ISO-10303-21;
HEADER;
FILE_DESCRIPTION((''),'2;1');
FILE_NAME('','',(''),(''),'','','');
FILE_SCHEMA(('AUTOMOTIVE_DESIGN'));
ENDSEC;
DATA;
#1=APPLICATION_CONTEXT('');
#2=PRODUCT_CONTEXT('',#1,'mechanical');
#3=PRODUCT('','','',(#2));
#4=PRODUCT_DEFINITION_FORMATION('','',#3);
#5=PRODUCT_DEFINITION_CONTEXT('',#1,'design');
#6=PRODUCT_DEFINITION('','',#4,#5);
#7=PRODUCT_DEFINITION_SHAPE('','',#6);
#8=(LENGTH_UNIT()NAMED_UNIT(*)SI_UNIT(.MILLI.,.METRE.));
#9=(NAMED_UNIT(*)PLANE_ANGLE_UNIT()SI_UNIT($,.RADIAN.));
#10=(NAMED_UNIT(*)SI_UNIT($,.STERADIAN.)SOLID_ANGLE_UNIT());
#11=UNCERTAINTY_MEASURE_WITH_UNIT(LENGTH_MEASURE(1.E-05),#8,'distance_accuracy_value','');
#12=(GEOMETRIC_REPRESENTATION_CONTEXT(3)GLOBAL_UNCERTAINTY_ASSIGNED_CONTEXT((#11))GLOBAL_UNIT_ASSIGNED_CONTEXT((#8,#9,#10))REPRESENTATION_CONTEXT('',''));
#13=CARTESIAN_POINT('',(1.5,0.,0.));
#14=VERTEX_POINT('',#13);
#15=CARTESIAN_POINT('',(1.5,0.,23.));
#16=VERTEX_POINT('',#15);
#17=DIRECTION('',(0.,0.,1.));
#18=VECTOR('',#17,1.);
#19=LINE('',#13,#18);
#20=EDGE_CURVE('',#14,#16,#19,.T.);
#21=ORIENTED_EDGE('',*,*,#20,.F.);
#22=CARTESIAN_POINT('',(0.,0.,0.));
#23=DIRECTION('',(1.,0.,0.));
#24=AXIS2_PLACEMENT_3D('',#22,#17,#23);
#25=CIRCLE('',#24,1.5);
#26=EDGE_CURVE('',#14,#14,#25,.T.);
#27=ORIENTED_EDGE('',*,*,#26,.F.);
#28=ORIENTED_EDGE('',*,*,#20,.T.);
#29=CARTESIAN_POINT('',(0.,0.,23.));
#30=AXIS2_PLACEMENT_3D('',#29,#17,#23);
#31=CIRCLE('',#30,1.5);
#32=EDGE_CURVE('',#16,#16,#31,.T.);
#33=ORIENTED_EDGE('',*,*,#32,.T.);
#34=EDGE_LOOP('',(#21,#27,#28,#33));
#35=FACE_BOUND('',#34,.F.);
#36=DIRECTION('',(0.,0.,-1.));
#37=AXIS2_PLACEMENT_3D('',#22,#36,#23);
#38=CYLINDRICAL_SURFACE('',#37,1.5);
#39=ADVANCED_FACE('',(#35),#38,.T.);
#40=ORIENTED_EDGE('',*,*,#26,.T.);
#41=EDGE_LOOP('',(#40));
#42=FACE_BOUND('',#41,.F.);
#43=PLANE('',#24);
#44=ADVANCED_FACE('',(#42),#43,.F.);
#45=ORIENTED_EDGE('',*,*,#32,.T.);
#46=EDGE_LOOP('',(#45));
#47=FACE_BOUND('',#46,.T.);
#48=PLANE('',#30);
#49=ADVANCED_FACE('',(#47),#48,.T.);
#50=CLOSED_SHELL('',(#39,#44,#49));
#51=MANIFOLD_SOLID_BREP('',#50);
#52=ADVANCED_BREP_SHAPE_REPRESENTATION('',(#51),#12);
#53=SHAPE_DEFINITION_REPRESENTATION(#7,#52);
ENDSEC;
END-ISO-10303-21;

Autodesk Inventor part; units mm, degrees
ref_plane "YZ Plane" through (0, 0, 0) normal (1, 0, 0) x (0, 1, 0)
ref_plane "XZ Plane" through (0, 0, 0) normal (0, 1, 0) x (-1, 0, 0)
ref_plane "XY Plane" through (0, 0, 0) normal (0, 0, 1) x (1, 0, 0)
sketch "Sketch1" plane through (0, 0, 0) normal (0, 0, 1) x (1, 0, 0)
  circle A0 centre (0, 0) radius 1.5
  dimension "d0" = 3
extrude "Extrusion1" add sketch "Sketch1" along normal blind 23
properties part number "M3Rod"
